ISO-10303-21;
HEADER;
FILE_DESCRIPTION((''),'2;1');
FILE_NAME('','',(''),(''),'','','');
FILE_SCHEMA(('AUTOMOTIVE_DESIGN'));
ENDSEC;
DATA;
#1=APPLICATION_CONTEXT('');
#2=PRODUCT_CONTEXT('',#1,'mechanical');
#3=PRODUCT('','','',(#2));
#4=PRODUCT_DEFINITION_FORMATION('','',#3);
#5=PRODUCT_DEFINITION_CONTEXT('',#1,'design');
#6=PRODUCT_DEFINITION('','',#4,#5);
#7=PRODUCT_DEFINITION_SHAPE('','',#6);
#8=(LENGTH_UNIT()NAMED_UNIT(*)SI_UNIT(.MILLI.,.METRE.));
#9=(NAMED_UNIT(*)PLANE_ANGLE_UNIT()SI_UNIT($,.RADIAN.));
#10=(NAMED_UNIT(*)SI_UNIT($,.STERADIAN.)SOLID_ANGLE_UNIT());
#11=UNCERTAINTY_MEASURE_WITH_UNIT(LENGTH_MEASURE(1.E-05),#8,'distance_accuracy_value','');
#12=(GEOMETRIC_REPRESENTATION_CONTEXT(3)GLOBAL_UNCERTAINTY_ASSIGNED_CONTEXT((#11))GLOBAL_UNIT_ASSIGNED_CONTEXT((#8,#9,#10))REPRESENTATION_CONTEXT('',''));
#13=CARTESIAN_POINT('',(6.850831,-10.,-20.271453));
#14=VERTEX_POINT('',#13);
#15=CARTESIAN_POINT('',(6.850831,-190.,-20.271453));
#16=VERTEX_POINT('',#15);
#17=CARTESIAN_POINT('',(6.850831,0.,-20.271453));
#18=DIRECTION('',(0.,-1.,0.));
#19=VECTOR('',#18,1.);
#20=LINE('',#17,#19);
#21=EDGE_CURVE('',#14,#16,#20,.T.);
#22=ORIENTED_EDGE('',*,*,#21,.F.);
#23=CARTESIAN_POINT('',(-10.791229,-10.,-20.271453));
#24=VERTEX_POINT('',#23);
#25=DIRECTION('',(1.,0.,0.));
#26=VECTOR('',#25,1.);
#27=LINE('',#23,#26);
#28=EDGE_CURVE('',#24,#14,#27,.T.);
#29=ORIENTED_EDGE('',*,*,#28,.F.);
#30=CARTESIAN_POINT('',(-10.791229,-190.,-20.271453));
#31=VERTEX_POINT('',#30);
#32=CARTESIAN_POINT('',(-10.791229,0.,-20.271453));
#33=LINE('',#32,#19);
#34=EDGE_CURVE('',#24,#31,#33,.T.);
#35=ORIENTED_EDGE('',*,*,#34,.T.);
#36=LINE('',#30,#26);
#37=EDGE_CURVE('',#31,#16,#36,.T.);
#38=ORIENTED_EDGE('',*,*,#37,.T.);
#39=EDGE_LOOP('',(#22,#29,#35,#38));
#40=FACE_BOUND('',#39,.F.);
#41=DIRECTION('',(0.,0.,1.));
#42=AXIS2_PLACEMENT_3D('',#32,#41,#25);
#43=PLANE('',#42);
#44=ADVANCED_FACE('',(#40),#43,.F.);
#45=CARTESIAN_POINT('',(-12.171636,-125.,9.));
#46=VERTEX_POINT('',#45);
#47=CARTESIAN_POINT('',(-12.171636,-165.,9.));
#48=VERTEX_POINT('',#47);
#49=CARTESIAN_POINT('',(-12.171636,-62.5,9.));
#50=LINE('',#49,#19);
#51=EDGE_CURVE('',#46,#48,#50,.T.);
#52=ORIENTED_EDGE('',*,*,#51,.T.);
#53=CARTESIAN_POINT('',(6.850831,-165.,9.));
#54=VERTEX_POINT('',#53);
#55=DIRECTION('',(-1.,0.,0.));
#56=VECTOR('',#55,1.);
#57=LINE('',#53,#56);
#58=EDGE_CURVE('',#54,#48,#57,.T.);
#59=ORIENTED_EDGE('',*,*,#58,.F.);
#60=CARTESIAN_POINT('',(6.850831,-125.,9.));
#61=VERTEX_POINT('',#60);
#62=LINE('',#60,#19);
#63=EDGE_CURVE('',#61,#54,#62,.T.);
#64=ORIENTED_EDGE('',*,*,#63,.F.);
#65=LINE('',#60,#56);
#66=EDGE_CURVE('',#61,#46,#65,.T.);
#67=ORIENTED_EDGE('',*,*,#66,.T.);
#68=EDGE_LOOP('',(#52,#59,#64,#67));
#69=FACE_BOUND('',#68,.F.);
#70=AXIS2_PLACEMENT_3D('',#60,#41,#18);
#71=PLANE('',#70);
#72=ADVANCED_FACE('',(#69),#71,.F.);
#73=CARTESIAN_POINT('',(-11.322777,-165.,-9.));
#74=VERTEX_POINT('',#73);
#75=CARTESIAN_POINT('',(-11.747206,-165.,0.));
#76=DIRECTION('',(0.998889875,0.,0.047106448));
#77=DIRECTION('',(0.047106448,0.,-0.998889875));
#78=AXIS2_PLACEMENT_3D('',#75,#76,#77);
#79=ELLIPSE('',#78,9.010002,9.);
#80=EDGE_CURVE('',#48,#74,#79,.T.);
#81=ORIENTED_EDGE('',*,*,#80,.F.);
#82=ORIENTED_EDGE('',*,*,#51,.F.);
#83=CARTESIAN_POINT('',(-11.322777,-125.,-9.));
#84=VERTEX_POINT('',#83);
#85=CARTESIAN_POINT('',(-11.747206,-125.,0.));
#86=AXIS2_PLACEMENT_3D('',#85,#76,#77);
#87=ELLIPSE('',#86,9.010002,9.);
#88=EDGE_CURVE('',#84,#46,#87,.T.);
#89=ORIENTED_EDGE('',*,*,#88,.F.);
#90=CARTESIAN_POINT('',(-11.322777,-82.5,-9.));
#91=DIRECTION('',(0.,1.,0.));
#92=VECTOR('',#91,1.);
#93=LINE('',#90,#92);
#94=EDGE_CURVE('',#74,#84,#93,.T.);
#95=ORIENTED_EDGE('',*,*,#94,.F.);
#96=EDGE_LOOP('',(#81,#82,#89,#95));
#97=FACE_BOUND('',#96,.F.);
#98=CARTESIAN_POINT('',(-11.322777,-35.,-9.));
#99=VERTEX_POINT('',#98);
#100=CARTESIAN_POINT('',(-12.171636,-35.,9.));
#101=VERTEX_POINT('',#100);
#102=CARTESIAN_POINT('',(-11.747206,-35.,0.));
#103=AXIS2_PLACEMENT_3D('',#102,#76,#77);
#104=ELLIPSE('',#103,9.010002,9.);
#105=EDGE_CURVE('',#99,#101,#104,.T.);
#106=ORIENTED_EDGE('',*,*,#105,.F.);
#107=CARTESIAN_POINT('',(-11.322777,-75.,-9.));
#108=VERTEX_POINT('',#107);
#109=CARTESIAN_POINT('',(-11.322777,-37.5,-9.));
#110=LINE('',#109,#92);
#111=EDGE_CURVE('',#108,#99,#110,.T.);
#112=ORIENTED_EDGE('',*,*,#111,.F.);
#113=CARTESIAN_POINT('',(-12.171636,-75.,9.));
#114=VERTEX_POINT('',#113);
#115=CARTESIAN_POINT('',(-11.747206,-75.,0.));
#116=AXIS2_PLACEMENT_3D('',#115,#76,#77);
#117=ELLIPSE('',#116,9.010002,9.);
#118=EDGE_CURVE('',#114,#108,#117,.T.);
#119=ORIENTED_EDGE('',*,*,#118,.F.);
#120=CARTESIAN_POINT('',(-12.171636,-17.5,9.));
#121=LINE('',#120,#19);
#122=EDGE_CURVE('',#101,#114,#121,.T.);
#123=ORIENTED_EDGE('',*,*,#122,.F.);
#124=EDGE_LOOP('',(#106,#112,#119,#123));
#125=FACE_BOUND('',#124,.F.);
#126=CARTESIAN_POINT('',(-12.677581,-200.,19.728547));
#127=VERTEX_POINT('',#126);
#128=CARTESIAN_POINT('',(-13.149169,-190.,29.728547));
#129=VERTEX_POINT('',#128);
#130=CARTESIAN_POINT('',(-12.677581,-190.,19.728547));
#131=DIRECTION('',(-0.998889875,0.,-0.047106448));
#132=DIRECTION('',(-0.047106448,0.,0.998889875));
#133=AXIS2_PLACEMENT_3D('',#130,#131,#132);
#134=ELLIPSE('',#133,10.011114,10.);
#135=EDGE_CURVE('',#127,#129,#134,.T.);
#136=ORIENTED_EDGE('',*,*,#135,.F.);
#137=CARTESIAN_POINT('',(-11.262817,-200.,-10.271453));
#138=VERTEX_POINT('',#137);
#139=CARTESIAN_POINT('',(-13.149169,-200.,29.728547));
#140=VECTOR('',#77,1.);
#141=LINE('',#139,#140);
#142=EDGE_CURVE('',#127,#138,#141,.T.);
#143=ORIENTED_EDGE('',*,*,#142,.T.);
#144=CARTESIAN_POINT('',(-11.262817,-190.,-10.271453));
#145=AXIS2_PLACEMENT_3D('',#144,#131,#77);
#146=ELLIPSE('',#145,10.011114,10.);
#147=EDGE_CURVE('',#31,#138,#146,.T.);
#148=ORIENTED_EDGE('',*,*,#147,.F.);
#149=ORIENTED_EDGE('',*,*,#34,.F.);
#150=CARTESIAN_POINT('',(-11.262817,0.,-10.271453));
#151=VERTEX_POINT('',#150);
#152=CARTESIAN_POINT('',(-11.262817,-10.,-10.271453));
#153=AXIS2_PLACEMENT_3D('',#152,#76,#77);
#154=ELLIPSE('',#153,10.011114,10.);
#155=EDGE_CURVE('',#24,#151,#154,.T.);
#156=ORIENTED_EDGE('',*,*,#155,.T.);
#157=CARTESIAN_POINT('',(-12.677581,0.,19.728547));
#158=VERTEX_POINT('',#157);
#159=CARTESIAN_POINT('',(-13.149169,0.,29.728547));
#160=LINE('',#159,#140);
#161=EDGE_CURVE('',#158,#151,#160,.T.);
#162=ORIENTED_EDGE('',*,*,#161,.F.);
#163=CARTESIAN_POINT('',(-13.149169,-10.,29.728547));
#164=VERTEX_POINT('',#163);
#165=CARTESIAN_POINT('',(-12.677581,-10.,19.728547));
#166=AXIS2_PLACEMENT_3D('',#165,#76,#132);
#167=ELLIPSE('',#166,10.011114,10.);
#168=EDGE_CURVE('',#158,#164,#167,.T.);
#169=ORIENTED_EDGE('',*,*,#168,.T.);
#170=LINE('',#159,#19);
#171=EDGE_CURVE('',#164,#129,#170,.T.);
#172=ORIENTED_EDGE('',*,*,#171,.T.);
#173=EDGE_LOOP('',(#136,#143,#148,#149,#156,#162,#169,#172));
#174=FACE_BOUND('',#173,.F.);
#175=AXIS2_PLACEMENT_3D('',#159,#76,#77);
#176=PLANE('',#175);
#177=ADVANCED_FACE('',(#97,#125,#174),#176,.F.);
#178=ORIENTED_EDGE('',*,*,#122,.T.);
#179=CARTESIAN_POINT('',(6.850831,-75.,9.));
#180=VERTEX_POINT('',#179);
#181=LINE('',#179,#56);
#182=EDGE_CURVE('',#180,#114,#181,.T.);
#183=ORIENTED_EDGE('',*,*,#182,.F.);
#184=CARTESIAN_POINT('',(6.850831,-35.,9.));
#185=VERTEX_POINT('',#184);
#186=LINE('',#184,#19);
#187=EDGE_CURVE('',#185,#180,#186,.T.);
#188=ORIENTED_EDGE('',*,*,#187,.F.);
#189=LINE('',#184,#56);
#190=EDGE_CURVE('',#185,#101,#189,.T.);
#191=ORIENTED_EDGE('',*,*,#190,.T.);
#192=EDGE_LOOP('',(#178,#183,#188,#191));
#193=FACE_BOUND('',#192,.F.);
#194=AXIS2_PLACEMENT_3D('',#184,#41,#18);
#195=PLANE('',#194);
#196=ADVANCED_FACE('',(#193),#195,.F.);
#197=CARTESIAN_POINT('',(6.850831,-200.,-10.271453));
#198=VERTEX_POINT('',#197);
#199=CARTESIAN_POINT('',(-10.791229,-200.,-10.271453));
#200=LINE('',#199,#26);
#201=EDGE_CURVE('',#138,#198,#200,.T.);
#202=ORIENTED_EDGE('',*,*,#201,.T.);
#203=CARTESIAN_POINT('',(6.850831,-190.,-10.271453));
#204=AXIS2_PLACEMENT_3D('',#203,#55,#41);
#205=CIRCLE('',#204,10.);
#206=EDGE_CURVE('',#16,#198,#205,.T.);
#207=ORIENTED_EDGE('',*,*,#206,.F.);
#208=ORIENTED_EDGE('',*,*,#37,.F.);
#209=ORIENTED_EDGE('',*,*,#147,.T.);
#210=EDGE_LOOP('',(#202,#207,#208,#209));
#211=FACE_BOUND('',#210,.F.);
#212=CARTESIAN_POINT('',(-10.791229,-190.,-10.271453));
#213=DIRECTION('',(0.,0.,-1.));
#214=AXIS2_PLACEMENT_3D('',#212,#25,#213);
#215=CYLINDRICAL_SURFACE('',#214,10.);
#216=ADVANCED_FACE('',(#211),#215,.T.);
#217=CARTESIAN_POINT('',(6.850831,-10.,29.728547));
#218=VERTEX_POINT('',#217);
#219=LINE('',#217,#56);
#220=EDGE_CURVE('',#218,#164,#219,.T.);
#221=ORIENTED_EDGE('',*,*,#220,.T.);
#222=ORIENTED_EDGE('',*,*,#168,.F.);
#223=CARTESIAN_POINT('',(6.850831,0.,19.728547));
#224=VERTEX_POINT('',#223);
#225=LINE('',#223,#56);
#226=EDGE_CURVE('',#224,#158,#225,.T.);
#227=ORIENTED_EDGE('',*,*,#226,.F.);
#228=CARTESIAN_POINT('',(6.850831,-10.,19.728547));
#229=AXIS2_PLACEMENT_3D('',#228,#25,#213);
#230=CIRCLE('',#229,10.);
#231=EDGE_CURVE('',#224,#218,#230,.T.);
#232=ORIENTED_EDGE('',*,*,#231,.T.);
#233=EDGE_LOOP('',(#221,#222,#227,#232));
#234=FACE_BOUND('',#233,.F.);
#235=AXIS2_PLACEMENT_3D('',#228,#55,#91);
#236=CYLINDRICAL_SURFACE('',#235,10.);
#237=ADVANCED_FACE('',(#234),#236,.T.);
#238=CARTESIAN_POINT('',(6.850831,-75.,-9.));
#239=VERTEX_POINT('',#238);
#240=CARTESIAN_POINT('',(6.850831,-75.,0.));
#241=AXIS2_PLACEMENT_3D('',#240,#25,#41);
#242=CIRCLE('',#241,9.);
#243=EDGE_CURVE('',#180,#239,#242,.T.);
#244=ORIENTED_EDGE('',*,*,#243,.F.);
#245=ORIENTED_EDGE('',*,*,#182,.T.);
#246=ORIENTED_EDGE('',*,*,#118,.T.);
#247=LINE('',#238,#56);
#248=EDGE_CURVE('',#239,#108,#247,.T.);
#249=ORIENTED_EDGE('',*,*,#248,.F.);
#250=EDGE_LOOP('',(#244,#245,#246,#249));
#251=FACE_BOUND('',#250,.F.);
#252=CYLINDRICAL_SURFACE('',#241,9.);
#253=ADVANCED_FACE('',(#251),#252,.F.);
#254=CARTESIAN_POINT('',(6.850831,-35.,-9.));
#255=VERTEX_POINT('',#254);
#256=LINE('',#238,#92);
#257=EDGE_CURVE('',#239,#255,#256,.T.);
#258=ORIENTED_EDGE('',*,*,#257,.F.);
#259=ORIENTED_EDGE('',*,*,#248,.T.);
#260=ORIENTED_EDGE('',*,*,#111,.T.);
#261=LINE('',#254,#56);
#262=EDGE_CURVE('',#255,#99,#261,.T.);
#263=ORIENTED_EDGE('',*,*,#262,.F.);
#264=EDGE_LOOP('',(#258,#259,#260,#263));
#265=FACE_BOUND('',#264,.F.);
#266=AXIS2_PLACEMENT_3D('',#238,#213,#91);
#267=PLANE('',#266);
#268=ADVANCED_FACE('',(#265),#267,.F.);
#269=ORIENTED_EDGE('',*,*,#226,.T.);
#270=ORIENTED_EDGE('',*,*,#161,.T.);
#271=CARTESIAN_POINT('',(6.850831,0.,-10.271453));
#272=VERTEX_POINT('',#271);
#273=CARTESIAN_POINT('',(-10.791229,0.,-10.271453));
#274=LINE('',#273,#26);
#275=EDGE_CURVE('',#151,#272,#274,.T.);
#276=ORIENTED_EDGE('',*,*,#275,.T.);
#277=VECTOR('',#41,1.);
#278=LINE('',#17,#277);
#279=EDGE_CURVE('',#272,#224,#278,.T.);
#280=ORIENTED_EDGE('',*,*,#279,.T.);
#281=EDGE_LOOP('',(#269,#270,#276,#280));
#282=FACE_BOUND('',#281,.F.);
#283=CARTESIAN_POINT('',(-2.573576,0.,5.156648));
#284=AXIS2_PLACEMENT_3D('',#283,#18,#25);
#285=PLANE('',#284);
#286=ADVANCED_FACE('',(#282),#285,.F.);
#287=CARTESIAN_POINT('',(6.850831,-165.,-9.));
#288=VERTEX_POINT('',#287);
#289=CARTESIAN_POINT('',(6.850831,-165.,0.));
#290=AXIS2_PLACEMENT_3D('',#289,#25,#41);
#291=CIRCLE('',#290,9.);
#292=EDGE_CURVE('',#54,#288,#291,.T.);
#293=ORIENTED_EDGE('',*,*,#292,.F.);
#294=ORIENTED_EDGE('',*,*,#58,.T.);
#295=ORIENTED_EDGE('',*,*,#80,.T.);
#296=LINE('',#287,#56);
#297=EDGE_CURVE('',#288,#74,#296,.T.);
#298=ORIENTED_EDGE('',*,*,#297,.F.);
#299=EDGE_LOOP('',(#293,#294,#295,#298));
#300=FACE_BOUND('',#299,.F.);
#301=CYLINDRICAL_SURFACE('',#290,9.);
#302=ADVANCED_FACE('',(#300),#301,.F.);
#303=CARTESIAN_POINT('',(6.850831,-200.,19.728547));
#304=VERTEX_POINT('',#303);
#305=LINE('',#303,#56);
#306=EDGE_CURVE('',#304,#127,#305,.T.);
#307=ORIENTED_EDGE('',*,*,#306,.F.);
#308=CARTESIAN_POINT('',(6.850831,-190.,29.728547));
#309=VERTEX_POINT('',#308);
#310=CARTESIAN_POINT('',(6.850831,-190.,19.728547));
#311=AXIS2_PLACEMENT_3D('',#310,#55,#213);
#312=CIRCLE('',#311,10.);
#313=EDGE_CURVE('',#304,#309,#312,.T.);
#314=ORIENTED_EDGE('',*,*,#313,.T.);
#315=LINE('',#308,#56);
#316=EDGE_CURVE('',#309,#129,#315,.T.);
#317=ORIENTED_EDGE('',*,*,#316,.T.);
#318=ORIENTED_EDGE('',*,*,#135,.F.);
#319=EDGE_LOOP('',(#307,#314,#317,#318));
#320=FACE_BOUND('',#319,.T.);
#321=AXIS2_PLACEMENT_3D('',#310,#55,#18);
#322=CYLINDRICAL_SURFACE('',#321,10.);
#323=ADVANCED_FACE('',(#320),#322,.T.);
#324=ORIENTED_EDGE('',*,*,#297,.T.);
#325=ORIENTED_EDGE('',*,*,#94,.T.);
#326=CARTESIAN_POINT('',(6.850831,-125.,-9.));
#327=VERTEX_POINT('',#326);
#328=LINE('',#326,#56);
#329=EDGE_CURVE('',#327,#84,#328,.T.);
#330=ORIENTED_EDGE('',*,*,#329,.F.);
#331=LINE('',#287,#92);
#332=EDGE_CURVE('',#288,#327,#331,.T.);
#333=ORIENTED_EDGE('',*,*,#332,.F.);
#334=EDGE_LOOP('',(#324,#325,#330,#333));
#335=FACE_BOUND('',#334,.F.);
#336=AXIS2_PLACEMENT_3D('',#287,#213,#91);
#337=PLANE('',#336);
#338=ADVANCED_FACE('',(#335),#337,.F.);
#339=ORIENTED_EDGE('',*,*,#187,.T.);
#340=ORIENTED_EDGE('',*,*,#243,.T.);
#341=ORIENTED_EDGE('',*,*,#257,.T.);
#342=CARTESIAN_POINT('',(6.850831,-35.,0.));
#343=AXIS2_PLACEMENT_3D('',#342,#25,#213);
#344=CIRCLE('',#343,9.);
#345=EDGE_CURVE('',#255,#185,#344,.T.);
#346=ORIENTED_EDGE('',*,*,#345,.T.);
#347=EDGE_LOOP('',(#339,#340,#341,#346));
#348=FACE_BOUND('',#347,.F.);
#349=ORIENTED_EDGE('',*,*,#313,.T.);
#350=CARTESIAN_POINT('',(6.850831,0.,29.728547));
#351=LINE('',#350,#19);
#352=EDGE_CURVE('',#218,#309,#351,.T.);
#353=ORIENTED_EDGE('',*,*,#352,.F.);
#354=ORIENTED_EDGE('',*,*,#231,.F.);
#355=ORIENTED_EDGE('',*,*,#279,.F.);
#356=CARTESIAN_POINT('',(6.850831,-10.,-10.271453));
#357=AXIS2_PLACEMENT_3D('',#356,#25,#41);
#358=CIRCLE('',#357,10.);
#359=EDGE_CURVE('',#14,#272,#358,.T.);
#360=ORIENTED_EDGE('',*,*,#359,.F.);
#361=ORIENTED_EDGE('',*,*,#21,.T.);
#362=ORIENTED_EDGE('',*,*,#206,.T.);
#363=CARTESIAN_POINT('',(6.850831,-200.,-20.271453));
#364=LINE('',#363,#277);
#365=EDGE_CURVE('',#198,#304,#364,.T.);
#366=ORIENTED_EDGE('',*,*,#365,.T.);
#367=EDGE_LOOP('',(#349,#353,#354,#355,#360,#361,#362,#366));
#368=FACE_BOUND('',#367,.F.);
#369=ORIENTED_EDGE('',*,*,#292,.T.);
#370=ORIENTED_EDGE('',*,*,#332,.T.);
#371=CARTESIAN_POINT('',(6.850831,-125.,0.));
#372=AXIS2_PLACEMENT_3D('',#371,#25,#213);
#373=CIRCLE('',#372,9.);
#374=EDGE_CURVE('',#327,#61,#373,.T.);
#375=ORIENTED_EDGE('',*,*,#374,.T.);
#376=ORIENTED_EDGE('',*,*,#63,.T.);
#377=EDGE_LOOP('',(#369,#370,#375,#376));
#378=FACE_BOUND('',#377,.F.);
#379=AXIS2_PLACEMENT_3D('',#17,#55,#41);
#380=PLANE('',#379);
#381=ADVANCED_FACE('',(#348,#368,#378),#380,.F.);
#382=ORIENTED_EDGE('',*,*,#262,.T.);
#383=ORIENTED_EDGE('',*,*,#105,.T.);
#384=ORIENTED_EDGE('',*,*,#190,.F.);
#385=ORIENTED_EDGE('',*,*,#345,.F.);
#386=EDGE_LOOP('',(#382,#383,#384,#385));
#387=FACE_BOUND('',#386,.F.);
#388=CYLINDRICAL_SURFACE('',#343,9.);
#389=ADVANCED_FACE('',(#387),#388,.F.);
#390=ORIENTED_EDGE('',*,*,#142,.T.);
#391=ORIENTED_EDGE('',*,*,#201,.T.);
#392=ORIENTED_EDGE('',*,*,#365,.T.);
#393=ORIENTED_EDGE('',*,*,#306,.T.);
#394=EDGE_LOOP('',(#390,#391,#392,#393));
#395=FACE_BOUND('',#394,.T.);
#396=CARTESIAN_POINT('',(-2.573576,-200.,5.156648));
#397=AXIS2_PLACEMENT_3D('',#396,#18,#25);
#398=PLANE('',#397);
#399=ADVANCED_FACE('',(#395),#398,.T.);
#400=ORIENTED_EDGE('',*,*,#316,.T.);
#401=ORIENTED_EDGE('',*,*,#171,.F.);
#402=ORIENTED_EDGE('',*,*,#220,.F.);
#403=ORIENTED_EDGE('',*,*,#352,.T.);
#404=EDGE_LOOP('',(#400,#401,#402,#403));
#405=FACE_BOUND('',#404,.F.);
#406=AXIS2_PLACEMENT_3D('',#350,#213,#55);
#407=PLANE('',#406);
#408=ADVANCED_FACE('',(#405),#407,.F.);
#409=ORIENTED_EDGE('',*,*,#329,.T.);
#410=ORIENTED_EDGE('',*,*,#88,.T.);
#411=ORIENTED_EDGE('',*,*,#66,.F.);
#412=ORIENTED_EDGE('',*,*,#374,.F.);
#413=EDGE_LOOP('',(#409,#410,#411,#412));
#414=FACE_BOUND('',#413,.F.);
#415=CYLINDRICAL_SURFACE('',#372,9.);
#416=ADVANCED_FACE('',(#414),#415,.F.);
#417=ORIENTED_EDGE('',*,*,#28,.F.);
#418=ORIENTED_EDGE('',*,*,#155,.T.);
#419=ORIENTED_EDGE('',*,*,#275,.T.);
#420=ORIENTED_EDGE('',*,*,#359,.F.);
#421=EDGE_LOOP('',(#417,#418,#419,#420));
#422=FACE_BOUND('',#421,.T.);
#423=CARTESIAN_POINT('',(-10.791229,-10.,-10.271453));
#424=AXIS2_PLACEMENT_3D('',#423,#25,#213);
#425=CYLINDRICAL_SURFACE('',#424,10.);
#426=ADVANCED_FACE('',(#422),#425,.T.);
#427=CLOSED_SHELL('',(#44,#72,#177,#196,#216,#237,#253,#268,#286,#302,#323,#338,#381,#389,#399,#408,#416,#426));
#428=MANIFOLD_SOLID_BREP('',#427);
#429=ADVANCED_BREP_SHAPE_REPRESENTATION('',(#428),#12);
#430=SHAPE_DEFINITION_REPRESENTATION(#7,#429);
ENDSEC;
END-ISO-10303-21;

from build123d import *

# Parameters (mm, degrees)
F1_DEPTH = 200
F3_DEPTH = 20.001
F4_R     = 10


with BuildPart() as f1:
    # F0 (on Front) → F1 (new body)
    with BuildSketch(Plane.XZ):
        Polygon((6.850831, -20.271453), (6.850831, 29.728547), (-13.149169, 29.728547), (-10.791229, -20.271453), align=None)
    extrude(amount=F1_DEPTH)

    # F2 (on face) → F3 (cut, through all)
    with BuildSketch(Plane.YZ.offset(6.850831)):
        with BuildLine():
            Line((-125, 9), (-165, 9))
            ThreePointArc((-165, 9), (-174, 0), (-165, -9))
            Line((-165, -9), (-125, -9))
            ThreePointArc((-125, -9), (-116, 0), (-125, 9))
        make_face()
        with BuildLine():
            Line((-35, 9), (-75, 9))
            ThreePointArc((-75, 9), (-84, 0), (-75, -9))
            Line((-75, -9), (-35, -9))
            ThreePointArc((-35, -9), (-26, 0), (-35, 9))
        make_face()
    extrude(amount=-F3_DEPTH, mode=Mode.SUBTRACT)

    # F4
    f4_edges = [f1.edges().sort_by_distance(p)[0] for p in [
        (-3.149169, -200, 29.728547),
        (-1.970199, -200, -20.271453),
        (-1.970199, 0, -20.271453),
        (-3.149169, 0, 29.728547),
    ]]
    fillet(f4_edges, radius=F4_R)


solid = f1.part
